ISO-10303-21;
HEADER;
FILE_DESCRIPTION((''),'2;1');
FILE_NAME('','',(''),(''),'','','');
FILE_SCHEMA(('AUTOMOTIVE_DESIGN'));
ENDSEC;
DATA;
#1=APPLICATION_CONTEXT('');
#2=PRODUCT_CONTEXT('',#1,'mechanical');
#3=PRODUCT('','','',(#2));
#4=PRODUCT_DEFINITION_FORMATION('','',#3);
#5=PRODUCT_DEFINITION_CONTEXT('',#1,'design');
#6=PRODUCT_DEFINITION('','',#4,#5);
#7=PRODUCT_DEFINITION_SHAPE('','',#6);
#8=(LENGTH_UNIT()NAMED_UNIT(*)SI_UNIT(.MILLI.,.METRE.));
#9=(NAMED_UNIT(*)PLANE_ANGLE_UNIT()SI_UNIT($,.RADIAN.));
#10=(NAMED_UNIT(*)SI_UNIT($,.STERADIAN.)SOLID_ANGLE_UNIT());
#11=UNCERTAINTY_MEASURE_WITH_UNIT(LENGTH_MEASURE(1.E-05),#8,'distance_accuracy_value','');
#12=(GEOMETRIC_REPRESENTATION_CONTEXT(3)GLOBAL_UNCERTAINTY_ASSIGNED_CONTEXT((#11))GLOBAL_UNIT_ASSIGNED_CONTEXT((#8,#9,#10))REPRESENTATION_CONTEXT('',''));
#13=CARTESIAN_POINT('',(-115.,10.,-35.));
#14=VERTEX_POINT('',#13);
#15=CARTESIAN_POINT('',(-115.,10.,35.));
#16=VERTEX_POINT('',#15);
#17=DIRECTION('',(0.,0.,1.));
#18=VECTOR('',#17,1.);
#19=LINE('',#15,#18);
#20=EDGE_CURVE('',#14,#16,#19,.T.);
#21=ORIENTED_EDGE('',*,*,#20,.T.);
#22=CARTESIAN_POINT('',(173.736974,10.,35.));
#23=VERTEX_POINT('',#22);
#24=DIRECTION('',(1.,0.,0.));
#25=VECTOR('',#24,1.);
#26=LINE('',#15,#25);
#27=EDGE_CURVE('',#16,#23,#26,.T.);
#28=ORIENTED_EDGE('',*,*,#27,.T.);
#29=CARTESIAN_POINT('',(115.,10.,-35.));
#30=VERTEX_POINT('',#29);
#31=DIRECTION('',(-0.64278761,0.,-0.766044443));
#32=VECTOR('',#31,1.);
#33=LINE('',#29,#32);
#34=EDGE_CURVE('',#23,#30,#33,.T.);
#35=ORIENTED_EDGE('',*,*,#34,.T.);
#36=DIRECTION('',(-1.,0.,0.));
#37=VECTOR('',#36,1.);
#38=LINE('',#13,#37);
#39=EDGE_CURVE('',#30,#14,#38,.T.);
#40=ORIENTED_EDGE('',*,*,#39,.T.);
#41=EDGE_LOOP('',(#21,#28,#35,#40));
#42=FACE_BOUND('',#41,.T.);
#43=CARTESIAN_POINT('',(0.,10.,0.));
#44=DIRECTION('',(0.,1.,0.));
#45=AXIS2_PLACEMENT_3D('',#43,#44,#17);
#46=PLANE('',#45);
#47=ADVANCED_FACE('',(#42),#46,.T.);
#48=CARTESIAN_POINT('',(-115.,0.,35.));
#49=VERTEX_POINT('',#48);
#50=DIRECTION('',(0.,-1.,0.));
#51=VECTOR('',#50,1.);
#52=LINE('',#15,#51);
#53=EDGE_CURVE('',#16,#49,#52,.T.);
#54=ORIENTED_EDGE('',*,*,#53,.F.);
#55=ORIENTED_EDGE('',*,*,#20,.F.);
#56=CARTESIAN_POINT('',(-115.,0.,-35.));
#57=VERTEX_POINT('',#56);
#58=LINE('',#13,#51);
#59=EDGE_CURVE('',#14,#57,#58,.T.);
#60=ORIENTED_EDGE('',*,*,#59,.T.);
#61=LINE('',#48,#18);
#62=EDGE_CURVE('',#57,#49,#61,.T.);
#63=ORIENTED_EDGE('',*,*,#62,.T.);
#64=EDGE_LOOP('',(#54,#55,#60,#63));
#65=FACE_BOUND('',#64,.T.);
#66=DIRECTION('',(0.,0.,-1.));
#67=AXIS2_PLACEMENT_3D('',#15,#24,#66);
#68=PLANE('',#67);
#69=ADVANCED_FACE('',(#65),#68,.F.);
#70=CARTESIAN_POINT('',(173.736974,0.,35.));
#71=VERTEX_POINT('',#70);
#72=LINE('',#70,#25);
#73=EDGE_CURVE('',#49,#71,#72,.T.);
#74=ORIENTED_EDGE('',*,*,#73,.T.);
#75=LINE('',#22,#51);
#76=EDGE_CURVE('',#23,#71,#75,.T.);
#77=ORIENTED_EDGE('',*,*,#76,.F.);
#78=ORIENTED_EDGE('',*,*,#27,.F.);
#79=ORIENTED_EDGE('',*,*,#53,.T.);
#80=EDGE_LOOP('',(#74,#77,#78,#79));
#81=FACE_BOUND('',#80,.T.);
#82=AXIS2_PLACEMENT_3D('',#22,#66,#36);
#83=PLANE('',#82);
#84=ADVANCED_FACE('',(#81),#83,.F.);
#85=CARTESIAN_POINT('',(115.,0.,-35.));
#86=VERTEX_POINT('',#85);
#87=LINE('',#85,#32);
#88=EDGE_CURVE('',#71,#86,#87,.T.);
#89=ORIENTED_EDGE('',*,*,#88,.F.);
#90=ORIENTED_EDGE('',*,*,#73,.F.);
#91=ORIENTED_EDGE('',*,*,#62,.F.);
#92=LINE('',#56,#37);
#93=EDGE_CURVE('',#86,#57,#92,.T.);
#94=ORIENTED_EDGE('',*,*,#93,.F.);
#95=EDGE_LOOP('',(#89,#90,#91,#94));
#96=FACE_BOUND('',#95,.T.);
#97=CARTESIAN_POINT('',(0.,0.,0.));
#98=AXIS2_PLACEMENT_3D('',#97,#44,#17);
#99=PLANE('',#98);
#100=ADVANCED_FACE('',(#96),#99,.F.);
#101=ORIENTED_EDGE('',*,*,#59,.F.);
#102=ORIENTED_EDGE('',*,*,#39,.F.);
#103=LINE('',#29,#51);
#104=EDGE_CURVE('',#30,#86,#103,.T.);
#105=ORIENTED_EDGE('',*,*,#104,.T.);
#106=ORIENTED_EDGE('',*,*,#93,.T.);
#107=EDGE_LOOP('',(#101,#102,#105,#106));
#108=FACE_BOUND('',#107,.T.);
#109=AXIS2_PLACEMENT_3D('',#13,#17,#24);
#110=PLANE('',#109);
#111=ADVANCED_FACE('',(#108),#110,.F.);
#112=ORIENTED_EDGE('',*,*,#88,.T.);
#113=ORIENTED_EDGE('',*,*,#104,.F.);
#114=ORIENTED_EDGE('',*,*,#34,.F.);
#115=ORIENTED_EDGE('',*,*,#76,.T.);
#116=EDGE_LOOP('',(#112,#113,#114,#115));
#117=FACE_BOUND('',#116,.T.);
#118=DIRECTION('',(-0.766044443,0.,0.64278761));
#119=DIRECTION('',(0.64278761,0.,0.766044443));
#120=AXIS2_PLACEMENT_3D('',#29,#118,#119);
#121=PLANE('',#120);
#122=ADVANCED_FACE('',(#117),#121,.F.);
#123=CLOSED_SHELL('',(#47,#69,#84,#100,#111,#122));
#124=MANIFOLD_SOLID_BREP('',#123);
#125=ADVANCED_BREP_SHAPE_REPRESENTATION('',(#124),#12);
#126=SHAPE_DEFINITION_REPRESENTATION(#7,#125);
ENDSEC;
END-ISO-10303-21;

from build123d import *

# Parameters (mm, degrees)
BOSS_EXTRUDE1_DEPTH = 10


with BuildPart() as part:
    # Sketch1 → Boss-Extrude1 (new body)
    with BuildSketch(Plane(origin=(0, 0, 0), x_dir=(1, 0, 0), z_dir=(0, 1, 0))):
        Polygon((115, 35), (173.736974182, -35), (115, -35), (-115, -35), (-115, 35), align=None)
    extrude(amount=BOSS_EXTRUDE1_DEPTH)


solid = part.part
